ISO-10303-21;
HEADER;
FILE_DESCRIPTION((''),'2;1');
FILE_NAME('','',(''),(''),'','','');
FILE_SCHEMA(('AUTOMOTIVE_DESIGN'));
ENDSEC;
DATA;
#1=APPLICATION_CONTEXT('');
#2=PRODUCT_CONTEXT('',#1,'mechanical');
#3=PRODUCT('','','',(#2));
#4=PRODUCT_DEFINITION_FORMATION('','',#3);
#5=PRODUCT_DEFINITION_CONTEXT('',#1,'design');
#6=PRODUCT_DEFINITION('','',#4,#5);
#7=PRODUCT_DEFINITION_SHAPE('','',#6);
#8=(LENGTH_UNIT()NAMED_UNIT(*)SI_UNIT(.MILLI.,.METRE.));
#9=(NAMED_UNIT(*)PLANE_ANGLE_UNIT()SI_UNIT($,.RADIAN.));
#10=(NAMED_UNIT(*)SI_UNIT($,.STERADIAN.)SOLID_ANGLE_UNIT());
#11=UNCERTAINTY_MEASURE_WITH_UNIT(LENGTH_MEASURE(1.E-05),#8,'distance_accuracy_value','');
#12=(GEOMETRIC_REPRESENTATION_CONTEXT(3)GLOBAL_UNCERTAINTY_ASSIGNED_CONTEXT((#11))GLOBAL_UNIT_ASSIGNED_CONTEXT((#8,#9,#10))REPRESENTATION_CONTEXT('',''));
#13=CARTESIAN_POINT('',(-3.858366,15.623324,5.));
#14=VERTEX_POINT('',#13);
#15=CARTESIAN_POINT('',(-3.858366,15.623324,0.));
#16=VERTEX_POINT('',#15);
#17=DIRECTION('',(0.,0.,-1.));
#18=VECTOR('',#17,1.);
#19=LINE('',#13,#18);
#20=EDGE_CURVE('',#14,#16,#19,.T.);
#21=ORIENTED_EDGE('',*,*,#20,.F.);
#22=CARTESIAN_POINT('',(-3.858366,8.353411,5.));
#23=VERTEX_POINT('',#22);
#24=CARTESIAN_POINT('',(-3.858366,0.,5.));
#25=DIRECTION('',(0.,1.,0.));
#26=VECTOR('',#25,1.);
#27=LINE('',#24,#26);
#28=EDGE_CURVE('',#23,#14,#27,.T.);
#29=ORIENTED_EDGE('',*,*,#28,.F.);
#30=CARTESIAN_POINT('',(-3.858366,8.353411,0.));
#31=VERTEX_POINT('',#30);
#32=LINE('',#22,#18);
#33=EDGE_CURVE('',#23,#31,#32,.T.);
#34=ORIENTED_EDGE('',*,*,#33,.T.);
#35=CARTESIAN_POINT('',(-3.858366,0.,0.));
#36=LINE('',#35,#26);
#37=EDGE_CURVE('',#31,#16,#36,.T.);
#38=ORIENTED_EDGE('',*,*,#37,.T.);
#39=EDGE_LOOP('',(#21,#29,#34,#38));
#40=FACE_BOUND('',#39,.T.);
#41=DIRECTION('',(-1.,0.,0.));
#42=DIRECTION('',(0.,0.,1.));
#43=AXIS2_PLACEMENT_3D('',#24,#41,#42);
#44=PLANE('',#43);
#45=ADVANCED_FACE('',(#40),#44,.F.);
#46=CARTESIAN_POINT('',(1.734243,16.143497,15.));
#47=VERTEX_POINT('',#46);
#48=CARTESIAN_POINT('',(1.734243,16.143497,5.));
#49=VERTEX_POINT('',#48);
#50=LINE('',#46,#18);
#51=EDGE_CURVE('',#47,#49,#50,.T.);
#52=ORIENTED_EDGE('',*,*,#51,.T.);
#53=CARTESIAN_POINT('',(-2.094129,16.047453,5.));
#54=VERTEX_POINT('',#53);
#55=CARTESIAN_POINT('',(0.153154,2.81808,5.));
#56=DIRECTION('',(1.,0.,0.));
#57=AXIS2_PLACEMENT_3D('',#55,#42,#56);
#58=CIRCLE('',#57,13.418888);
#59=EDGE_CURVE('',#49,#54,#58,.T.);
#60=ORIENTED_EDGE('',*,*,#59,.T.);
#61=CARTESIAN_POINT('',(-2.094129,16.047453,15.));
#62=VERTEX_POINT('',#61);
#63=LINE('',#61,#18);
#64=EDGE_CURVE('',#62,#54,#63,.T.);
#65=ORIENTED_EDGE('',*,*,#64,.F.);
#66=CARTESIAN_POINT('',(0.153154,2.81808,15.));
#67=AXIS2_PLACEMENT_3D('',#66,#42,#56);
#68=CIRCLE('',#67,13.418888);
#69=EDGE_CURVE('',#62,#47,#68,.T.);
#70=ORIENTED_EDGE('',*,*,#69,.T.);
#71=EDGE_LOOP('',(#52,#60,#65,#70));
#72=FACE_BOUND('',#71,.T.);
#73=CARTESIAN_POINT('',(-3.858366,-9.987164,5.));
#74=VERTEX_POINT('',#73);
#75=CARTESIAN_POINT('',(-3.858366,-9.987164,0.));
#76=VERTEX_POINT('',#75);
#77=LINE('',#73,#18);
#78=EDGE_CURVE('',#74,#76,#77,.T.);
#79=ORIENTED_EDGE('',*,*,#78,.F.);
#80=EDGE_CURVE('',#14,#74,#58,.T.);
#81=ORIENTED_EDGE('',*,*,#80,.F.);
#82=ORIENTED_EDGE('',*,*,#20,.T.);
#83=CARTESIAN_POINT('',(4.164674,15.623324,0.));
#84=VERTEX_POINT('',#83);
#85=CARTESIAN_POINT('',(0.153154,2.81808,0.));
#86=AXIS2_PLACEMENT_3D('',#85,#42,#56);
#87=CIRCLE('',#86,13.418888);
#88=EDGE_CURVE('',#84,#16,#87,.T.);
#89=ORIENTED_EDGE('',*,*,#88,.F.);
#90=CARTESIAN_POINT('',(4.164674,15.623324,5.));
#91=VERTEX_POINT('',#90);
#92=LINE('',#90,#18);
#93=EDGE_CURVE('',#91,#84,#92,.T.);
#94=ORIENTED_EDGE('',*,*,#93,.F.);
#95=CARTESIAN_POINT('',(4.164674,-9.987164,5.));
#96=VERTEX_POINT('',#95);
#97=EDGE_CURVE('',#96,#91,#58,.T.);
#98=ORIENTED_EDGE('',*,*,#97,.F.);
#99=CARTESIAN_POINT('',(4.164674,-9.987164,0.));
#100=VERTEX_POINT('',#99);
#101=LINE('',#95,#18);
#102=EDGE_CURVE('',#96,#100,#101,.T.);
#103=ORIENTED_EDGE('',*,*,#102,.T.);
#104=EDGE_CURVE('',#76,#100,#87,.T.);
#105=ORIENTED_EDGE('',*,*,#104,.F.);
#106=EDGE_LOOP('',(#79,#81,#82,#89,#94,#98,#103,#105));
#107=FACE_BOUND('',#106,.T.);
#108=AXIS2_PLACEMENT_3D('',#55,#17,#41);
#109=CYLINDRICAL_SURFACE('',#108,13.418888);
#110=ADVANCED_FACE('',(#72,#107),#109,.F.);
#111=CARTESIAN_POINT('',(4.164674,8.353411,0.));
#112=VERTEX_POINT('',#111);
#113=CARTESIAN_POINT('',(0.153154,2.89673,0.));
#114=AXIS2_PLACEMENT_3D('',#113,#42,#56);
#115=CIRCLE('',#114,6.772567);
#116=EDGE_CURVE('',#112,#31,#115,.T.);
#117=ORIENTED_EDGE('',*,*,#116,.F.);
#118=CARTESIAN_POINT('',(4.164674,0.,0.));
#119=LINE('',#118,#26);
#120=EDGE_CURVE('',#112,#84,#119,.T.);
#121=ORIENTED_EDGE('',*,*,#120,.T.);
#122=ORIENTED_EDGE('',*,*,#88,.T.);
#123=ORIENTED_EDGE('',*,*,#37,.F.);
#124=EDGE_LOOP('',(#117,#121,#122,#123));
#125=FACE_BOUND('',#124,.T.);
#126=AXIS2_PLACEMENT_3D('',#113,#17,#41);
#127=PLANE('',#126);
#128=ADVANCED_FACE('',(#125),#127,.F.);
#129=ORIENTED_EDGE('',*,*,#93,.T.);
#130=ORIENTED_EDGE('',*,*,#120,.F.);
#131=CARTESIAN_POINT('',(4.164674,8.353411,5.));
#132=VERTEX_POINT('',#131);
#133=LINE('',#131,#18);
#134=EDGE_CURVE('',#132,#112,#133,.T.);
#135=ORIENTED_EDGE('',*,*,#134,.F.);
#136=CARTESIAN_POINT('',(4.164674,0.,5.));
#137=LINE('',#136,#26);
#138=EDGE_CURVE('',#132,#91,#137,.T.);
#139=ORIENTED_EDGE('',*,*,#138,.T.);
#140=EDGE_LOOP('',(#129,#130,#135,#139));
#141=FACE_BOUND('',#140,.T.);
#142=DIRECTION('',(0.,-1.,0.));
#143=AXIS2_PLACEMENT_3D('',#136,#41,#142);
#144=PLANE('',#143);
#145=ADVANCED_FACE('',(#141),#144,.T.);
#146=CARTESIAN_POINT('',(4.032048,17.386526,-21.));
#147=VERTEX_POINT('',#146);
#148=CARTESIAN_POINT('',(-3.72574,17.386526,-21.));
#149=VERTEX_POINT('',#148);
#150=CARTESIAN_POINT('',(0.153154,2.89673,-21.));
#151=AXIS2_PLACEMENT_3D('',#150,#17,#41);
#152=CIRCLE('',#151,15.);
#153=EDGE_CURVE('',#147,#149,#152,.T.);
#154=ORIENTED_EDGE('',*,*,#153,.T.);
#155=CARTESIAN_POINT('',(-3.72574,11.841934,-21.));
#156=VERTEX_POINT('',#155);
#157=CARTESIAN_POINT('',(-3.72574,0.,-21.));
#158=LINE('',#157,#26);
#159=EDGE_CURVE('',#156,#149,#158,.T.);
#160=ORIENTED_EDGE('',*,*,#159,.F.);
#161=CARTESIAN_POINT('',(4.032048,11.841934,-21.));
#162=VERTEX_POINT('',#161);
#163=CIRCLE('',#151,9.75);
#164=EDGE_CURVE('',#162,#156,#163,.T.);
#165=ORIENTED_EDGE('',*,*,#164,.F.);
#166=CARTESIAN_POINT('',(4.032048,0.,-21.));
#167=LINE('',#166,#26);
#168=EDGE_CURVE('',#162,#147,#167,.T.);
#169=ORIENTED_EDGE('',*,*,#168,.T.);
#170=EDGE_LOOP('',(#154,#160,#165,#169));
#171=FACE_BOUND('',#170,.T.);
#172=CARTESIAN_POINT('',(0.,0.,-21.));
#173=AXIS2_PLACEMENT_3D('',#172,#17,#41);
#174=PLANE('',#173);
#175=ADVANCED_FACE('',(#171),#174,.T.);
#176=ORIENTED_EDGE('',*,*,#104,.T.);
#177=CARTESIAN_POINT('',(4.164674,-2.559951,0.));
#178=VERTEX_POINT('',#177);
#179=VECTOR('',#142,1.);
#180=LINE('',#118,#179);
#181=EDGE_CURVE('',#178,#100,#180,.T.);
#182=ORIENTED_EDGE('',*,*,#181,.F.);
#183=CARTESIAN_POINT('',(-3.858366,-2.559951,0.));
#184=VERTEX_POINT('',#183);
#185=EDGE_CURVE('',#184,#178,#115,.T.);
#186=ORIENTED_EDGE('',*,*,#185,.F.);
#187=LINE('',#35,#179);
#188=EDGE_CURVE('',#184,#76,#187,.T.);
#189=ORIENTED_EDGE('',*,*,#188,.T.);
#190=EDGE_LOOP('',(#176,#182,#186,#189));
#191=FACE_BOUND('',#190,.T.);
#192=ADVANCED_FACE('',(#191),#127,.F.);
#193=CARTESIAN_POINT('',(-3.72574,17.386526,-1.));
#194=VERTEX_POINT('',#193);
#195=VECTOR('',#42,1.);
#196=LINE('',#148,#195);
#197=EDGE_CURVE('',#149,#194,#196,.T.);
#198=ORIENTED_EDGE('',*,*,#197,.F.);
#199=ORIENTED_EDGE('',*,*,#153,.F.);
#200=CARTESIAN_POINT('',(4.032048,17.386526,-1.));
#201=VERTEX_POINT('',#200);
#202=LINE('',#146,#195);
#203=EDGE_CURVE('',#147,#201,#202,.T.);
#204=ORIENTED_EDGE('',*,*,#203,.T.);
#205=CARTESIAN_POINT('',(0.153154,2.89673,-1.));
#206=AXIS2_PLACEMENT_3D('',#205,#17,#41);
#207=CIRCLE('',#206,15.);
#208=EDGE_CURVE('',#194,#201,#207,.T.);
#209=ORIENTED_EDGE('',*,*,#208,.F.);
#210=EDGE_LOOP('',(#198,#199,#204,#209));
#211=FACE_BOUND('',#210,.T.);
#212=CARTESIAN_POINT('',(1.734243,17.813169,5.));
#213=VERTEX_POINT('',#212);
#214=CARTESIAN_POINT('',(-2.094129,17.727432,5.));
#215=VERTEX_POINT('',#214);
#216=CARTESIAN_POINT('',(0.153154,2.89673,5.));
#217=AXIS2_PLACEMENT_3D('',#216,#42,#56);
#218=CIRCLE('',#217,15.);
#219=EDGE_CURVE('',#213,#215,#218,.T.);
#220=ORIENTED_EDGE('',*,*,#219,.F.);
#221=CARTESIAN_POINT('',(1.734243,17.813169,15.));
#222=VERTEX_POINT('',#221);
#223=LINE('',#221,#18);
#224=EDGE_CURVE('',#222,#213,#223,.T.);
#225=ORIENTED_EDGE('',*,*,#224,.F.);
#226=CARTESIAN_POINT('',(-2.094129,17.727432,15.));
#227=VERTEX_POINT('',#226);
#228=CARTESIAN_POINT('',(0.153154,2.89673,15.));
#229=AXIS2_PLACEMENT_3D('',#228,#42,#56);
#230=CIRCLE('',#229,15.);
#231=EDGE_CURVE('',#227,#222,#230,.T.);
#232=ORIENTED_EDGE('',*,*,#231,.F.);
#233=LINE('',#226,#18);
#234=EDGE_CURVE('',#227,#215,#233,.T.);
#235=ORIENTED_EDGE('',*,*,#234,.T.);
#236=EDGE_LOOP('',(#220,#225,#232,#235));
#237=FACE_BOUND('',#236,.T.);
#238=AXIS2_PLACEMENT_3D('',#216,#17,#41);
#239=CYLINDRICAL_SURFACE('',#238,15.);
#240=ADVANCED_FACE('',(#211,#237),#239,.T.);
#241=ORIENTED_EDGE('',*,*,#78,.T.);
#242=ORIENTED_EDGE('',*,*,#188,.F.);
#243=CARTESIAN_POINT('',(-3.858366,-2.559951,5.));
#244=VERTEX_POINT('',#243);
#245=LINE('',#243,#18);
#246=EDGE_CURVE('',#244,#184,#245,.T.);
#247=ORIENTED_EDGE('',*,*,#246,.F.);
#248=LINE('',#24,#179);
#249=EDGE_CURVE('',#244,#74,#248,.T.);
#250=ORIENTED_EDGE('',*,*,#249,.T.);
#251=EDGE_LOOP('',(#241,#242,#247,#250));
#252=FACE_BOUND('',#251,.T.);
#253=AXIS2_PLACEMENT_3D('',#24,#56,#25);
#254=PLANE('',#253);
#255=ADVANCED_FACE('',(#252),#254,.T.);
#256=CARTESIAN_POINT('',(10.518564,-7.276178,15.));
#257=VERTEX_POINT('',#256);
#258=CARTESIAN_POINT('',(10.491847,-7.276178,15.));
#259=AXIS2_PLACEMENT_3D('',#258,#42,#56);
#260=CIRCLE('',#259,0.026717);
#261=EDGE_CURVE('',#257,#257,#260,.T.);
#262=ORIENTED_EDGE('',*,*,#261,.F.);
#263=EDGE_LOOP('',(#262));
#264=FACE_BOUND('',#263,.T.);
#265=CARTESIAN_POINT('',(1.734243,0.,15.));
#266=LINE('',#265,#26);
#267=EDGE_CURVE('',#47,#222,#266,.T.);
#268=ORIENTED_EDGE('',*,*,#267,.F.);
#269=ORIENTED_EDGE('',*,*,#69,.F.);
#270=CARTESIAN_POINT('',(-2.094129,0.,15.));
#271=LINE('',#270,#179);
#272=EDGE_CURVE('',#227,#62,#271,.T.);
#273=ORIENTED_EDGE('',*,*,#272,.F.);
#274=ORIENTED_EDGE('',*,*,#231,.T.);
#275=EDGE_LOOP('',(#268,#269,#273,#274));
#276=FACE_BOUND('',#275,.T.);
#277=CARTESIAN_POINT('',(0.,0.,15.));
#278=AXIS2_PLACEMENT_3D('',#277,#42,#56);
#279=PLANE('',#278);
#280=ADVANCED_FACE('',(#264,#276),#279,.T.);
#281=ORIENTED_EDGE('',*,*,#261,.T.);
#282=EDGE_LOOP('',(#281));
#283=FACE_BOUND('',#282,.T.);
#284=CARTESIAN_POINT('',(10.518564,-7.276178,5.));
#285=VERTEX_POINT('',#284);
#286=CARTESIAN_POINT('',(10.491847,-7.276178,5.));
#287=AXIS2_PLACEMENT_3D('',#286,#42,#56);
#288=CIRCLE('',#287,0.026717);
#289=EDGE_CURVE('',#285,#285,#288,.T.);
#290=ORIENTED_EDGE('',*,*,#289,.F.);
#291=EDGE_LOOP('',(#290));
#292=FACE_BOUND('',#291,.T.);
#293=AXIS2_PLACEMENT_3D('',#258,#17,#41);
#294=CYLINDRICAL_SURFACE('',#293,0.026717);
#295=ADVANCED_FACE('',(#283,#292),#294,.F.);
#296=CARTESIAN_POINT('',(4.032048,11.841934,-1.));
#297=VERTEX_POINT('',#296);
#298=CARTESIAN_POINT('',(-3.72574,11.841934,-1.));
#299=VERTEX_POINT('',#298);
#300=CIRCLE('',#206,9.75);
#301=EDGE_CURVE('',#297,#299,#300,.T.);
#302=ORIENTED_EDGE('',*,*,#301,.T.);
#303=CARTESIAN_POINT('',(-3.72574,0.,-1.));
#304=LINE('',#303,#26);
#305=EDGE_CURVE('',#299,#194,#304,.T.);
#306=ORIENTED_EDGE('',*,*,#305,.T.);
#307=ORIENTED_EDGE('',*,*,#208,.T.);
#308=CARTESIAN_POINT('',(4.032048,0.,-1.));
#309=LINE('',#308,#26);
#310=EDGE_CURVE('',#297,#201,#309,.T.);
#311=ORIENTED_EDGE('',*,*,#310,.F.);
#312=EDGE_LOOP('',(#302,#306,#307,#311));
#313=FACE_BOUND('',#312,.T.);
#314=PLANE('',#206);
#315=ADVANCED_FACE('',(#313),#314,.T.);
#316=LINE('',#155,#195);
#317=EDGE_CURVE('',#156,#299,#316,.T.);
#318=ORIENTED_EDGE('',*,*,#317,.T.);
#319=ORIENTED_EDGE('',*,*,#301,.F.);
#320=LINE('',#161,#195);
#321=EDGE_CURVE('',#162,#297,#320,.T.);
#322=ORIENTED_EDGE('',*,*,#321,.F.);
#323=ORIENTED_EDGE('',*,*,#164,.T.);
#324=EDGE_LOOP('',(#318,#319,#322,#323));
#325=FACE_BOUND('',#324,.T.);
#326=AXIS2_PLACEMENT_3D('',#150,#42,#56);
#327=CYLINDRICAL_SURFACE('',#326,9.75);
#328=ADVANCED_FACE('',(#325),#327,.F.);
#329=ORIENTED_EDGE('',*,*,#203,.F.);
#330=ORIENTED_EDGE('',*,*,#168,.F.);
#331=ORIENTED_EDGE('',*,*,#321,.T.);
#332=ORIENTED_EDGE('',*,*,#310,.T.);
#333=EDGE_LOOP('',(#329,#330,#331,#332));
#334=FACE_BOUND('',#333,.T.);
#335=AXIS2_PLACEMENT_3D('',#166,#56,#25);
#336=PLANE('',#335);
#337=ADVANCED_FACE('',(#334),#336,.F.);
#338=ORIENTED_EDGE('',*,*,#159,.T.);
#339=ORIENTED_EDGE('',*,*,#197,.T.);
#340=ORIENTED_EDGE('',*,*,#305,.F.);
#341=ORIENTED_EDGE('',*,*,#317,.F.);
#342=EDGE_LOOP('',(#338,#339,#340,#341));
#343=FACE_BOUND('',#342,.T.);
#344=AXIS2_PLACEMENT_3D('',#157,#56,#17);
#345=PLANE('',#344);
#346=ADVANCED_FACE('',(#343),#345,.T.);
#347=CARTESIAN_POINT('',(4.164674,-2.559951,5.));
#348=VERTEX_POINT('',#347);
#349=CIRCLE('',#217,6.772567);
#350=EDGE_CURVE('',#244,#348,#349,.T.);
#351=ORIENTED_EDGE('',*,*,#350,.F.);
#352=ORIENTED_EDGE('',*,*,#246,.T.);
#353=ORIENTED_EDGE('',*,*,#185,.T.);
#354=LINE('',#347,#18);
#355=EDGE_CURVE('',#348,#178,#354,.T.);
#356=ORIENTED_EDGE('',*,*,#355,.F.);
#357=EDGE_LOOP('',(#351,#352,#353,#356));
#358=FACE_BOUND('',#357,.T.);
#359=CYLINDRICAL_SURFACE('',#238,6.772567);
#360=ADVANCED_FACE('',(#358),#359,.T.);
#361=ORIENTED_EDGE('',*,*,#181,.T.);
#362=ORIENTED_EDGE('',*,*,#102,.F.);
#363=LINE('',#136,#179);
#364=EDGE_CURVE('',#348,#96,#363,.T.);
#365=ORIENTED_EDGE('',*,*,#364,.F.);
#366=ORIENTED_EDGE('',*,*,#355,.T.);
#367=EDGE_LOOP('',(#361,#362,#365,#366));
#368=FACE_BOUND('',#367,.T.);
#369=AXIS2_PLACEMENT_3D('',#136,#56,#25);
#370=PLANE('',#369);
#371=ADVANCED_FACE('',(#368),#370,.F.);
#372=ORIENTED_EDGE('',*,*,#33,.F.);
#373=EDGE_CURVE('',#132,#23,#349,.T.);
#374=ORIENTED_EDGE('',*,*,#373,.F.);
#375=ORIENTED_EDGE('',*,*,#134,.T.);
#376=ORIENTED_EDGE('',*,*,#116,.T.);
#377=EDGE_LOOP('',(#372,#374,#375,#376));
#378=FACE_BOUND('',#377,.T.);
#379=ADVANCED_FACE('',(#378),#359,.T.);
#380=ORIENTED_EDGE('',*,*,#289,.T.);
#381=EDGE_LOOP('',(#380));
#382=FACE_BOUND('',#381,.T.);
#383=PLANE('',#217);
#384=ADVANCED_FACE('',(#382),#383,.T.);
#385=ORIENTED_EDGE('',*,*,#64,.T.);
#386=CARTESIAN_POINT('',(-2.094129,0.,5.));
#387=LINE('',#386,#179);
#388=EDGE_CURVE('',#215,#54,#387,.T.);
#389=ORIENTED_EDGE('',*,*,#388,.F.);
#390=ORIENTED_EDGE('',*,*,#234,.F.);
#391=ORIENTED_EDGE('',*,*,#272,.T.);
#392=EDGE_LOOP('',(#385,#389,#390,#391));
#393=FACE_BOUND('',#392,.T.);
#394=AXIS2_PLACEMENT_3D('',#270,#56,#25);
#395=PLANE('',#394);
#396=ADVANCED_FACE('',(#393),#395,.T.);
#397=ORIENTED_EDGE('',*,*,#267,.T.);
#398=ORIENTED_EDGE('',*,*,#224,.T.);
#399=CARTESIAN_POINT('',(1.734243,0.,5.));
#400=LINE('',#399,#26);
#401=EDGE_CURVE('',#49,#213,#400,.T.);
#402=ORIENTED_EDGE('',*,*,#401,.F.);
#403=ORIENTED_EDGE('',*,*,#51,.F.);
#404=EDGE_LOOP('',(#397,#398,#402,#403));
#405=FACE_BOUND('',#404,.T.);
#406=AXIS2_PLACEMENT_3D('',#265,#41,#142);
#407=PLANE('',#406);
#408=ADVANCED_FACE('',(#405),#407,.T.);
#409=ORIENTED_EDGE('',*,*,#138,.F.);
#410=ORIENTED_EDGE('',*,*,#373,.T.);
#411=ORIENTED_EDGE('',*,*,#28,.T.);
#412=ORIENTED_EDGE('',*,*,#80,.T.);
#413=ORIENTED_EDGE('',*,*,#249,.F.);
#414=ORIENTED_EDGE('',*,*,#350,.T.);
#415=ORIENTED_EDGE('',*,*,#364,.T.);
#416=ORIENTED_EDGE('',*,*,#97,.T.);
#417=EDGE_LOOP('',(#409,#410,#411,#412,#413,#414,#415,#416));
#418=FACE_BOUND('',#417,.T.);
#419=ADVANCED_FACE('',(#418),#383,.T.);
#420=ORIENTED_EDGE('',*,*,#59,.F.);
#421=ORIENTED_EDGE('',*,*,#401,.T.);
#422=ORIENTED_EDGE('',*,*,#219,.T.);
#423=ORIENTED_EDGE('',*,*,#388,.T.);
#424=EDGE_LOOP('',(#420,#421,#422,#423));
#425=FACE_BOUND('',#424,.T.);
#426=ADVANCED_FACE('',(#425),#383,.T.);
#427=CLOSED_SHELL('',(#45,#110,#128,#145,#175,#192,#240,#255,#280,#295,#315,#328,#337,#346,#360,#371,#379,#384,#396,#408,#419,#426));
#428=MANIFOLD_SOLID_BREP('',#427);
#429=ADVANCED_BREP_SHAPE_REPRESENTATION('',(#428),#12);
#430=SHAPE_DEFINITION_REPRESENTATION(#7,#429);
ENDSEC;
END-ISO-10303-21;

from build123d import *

# Parameters (mm, degrees)
SKETCH1_R            = 15
BOSS_EXTRUDE2_DEPTH  = 5
SKETCH10_R           = 0.026716532
BOSS_EXTRUDE10_DEPTH = 10
BOSS_EXTRUDE13_START = 1
SKETCH12_R           = 15
BOSS_EXTRUDE13_DEPTH = 1
BOSS_EXTRUDE14_START = 20
BOSS_EXTRUDE14_DEPTH = 20


with BuildPart() as part:
    # Sketch1 → Boss-Extrude2 (new body)
    with BuildSketch(Plane.XY):
        with Locations((0.153154005, 2.896729922)):
            Circle(SKETCH1_R)
        with BuildLine():
            Line((-3.858366409, 8.353410796), (-3.858366409, 15.623324251))
            ThreePointArc((-3.858366409, 15.623324251), (0.153154005, 16.236968805), (4.164674419, 15.623324251))
            Line((4.164674419, 15.623324251), (4.164674419, 8.353410796))
            ThreePointArc((4.164674419, 8.353410796), (0.153154005, 9.669296806), (-3.858366409, 8.353410796))
        make_face(mode=Mode.SUBTRACT)
        with BuildLine():
            Line((-3.858366409, -2.559950952), (-3.858366409, -9.987163584))
            ThreePointArc((-3.858366409, -9.987163584), (0.153154005, -10.600808139), (4.164674419, -9.987163584))
            Line((4.164674419, -9.987163584), (4.164674419, -2.559950952))
            ThreePointArc((4.164674419, -2.559950952), (0.153154005, -3.875836962), (-3.858366409, -2.559950952))
        make_face(mode=Mode.SUBTRACT)
    extrude(amount=BOSS_EXTRUDE2_DEPTH)

    # Sketch10 → Boss-Extrude10 (add)
    with BuildSketch(Plane.XY.offset(5)):
        with BuildLine():
            Line((-2.094128576, 16.047452534), (-2.094128576, 17.727431895))
            ThreePointArc((-2.094128576, 17.727431895), (-9.62669163, -8.476687302), (15.153154005, 2.896729922))
            ThreePointArc((15.153154005, 2.896729922), (11.304753393, 12.928770148), (1.734243192, 17.813169074))
            Line((1.734243192, 17.813169074), (1.734243192, 16.14349683))
            ThreePointArc((1.734243192, 16.14349683), (2.961528164, 15.939802873), (4.164674419, 15.623324251))
            ThreePointArc((4.164674419, 15.623324251), (13.572042477, 2.818080333), (4.164674419, -9.987163584))
            ThreePointArc((4.164674419, -9.987163584), (0.153154005, -10.600808139), (-3.858366409, -9.987163584))
            ThreePointArc((-3.858366409, -9.987163584), (-13.265734467, 2.818080333), (-3.858366409, 15.623324251))
            ThreePointArc((-3.858366409, 15.623324251), (-2.983424534, 15.865242588), (-2.094128576, 16.047452534))
        make_face()
        with Locations((10.491847297, -7.276178058)):
            Circle(SKETCH10_R, mode=Mode.SUBTRACT)
    extrude(amount=BOSS_EXTRUDE10_DEPTH)

    # Sketch12 → Boss-Extrude13 (add)
    with BuildSketch(Plane(origin=(0, 0, 0), x_dir=(-1, 0, 0), z_dir=(0, 0, -1)).offset(BOSS_EXTRUDE13_START)):
        with Locations((-0.153154005, 2.896729922)):
            Circle(SKETCH12_R)
    extrude(amount=-BOSS_EXTRUDE13_DEPTH)

    # Sketch13 → Boss-Extrude14 (add)
    with BuildSketch(Plane(origin=(0, 0, -1), x_dir=(-1, 0, 0), z_dir=(0, 0, -1)).offset(BOSS_EXTRUDE14_START)):
        with BuildLine():
            ThreePointArc((9.596845995, 2.896729922), (-5.50307382, -5.254396256), (-4.032047949, 11.841934323))
            Line((-4.032047949, 11.841934323), (-4.032047949, 17.386525703))
            ThreePointArc((-4.032047949, 17.386525703), (-9.285968216, -9.002501338), (14.846845995, 2.896729922))
            ThreePointArc((14.846845995, 2.896729922), (11.746077255, 12.029544133), (3.725739939, 17.386525703))
            Line((3.725739939, 17.386525703), (3.725739939, 11.841934323))
            ThreePointArc((3.725739939, 11.841934323), (7.997972173, 8.246649737), (9.596845995, 2.896729922))
        make_face()
    extrude(amount=-BOSS_EXTRUDE14_DEPTH)


solid = part.part
